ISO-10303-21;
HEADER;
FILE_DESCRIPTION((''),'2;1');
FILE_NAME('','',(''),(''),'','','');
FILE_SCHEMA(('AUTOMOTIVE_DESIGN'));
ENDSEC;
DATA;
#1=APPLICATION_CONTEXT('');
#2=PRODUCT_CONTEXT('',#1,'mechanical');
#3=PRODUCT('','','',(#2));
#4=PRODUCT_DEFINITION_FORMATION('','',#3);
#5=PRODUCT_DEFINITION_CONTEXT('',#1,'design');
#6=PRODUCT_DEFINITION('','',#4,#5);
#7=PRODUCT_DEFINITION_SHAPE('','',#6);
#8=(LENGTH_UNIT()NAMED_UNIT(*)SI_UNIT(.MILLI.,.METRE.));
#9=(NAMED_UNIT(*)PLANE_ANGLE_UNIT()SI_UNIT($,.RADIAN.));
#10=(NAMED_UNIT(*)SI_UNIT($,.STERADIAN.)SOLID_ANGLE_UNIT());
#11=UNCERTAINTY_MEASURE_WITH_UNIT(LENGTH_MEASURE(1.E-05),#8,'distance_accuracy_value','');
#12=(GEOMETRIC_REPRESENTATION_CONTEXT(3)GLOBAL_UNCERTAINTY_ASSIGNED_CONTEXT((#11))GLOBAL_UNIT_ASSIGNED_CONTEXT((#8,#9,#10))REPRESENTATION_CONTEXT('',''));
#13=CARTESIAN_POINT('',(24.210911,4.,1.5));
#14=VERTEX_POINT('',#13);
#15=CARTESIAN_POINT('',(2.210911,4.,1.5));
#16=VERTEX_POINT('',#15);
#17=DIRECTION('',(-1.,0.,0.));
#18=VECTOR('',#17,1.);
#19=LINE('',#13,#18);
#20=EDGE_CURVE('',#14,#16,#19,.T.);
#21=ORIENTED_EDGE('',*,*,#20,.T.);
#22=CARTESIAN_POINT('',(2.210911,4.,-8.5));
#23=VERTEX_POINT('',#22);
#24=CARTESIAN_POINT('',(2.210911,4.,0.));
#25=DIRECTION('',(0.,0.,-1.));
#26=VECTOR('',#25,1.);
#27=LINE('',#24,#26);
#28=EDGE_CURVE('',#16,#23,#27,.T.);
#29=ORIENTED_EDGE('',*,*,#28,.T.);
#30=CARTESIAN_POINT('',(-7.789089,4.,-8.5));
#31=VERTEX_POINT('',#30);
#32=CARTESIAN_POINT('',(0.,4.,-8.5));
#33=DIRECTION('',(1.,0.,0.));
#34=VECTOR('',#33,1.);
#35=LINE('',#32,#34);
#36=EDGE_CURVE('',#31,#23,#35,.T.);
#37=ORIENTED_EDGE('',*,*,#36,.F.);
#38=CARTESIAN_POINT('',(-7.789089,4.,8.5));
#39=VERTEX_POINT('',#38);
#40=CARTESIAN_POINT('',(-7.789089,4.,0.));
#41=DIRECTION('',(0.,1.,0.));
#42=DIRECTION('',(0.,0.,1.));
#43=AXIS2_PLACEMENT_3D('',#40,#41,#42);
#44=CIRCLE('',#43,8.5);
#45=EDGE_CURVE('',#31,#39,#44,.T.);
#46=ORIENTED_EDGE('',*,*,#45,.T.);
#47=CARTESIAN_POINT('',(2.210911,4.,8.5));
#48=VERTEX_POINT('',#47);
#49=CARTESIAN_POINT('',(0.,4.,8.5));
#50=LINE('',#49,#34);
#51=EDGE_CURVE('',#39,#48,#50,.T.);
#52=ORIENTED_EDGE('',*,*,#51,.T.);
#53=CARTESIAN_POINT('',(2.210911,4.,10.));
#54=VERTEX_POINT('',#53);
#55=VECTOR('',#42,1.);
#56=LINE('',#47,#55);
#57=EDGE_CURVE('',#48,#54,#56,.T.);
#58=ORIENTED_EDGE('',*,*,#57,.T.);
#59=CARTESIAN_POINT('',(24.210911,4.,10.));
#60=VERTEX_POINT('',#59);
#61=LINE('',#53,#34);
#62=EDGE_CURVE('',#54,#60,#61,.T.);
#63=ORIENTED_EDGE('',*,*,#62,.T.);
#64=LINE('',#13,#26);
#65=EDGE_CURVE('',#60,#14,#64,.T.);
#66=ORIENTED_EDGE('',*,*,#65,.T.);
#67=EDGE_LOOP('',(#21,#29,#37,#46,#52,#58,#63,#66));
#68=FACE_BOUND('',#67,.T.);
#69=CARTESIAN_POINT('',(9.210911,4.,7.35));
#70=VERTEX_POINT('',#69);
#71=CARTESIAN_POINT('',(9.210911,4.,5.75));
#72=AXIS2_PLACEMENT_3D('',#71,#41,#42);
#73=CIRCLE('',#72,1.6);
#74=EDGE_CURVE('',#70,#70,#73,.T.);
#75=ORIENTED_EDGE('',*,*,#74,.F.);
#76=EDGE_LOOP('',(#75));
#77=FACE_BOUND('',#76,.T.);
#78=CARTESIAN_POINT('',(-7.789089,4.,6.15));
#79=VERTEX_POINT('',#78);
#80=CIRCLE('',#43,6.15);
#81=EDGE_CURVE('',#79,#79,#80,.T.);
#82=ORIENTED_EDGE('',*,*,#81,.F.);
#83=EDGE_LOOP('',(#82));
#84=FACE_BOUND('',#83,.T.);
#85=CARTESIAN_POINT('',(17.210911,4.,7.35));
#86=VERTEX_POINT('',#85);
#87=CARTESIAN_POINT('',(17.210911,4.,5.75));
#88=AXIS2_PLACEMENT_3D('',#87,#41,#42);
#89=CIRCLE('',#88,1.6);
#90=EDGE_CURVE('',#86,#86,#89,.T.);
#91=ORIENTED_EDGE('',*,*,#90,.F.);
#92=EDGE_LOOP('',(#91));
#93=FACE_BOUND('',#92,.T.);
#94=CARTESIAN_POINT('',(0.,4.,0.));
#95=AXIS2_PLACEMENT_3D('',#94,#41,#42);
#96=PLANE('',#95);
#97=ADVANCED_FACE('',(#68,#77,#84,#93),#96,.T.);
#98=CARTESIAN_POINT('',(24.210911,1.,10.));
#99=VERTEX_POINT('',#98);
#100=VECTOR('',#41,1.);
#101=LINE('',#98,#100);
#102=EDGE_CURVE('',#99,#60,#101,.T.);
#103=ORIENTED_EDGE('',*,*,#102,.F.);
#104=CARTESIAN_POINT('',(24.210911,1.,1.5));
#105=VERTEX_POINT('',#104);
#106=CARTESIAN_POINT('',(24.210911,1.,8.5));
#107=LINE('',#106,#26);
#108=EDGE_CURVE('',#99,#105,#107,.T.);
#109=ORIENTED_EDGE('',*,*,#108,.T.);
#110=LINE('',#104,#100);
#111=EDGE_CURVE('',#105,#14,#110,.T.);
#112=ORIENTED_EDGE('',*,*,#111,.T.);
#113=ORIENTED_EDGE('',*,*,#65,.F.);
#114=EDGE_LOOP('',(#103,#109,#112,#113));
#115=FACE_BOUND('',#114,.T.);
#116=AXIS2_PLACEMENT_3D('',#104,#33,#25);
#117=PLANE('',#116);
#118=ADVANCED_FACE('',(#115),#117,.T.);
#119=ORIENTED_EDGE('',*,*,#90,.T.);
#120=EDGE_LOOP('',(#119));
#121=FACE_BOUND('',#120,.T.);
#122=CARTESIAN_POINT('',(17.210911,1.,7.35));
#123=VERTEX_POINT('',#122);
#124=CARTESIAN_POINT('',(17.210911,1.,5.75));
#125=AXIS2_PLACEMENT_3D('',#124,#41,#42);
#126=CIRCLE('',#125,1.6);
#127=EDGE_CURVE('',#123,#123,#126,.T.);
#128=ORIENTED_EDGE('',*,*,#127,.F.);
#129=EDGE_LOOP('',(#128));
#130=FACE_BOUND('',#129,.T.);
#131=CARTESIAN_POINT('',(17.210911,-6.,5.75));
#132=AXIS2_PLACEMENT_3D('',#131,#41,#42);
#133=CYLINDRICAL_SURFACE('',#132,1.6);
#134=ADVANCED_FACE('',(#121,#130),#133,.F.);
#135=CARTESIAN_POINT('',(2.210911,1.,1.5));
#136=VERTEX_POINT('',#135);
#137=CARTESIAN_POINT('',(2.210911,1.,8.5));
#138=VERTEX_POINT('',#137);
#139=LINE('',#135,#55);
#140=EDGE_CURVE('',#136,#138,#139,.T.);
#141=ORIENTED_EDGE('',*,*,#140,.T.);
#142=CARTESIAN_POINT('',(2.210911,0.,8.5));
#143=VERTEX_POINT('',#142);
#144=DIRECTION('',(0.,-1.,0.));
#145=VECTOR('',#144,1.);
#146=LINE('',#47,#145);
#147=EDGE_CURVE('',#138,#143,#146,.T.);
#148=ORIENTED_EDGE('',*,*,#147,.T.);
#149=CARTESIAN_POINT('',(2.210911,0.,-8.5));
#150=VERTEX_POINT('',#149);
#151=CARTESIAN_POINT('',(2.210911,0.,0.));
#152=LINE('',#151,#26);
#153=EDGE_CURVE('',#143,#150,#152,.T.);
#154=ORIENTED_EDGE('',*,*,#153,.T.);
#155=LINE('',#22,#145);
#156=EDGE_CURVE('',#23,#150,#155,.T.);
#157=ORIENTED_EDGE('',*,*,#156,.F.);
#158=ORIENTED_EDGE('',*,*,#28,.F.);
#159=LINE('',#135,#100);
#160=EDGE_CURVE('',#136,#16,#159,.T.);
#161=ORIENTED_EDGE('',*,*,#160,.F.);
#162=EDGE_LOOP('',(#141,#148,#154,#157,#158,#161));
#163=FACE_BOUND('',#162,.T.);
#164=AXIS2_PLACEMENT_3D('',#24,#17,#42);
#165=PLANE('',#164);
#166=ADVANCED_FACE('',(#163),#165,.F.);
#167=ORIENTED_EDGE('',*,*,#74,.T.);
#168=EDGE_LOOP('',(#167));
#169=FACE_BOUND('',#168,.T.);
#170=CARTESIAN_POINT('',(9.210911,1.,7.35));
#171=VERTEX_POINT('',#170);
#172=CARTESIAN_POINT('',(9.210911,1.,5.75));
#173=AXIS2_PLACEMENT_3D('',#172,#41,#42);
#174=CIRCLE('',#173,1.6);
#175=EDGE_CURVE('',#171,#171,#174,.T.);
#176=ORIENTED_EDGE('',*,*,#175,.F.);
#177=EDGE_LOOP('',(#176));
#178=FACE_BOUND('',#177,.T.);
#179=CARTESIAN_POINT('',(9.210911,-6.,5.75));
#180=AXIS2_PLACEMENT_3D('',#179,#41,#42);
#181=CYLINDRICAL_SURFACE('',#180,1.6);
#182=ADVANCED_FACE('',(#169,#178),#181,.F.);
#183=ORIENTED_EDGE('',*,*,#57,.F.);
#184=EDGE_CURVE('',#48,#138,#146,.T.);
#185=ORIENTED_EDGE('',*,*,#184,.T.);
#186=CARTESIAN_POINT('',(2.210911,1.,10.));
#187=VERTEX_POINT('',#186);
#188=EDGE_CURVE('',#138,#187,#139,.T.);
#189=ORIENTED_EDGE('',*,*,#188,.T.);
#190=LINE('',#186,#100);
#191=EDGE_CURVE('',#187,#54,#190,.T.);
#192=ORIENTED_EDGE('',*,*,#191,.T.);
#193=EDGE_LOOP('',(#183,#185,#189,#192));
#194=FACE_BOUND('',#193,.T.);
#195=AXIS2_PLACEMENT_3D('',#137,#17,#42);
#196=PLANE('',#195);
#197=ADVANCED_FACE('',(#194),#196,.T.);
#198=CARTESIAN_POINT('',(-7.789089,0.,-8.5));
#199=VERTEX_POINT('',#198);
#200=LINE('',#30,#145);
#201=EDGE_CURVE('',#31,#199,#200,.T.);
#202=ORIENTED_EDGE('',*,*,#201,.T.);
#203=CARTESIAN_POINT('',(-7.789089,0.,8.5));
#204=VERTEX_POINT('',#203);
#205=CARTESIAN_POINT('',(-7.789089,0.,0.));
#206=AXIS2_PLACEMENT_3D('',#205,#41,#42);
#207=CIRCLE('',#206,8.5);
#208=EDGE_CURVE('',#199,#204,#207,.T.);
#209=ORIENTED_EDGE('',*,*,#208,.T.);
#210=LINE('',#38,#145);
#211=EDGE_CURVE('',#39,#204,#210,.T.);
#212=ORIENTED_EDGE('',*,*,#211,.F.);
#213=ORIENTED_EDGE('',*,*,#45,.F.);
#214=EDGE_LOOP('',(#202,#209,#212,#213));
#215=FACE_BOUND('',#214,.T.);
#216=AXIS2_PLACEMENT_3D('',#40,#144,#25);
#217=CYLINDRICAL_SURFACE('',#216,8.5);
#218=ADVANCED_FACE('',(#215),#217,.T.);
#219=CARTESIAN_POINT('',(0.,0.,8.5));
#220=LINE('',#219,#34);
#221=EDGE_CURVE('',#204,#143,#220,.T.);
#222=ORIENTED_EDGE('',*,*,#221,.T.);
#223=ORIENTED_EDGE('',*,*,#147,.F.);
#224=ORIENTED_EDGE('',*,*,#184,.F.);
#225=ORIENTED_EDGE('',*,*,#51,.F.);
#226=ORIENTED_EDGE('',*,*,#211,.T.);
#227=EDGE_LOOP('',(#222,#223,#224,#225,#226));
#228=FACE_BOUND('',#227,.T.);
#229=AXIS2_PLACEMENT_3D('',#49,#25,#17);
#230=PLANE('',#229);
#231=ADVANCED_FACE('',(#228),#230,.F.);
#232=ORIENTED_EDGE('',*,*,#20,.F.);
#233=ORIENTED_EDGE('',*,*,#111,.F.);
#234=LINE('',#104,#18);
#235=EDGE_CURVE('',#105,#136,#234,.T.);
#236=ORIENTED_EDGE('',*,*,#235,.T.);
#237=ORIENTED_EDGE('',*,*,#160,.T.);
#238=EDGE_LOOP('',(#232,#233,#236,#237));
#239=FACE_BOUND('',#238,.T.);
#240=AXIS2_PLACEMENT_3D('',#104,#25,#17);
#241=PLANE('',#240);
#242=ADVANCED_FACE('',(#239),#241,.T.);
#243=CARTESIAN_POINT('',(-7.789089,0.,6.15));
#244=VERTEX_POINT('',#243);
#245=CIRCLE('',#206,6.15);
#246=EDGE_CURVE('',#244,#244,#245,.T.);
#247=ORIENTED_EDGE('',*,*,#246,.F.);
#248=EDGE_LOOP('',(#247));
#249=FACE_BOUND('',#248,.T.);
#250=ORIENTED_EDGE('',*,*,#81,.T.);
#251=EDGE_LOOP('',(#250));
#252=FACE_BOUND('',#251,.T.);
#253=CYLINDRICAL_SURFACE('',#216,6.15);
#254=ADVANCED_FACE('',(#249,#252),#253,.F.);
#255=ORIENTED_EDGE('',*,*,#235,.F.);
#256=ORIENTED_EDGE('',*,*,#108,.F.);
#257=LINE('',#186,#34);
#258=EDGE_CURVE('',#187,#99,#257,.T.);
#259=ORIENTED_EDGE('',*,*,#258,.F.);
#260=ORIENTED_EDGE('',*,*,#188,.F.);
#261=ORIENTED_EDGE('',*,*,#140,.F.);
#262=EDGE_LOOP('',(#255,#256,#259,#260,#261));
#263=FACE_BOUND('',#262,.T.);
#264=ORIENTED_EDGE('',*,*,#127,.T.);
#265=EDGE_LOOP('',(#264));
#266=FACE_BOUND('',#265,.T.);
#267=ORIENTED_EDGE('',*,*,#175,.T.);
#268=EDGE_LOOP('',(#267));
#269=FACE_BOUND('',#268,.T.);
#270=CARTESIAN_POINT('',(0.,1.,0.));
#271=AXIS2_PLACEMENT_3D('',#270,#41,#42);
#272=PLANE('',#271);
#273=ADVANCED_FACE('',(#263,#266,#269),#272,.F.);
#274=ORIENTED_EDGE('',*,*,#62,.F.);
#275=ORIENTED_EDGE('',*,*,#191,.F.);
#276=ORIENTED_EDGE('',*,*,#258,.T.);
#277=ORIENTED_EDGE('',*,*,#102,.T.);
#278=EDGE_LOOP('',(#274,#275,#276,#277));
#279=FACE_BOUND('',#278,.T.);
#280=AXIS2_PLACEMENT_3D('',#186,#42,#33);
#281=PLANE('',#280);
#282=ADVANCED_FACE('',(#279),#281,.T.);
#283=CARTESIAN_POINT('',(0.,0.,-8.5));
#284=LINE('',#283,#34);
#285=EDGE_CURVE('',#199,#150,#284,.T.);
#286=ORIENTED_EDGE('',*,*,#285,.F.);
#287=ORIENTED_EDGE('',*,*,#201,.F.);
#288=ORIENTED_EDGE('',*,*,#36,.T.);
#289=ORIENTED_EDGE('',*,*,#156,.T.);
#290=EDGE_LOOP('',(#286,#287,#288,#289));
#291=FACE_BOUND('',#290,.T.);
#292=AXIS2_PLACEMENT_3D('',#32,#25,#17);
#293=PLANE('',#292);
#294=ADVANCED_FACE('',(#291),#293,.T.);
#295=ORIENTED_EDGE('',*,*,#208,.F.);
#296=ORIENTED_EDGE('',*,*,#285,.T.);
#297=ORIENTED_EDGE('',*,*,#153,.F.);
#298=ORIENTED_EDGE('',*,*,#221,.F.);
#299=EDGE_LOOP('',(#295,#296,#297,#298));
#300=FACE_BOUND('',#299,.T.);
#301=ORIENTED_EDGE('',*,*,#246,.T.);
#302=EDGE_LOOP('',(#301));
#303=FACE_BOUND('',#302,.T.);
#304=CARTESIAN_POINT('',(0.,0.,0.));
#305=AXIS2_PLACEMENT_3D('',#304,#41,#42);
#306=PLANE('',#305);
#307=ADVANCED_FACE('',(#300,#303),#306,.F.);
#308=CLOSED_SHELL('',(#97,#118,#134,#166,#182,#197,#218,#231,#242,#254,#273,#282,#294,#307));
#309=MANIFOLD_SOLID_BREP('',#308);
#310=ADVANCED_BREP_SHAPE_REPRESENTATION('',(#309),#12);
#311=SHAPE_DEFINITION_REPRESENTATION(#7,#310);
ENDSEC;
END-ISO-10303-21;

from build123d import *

# Parameters (mm, degrees)
SKETCH1_R           = 6.15
BOSS_EXTRUDE1_DEPTH = 4
BOSS_EXTRUDE3_DEPTH = 3
SKETCH5_R           = 1.6
CUT_EXTRUDE1_DEPTH  = 10


with BuildPart() as part:
    # Sketch1 → Boss-Extrude1 (new body)
    with BuildSketch(Plane(origin=(0, 0, 0), x_dir=(1, 0, 0), z_dir=(0, 1, 0))):
        with BuildLine():
            Line((-7.789088727, -8.5), (2.210911273, -8.5))
            Line((2.210911273, -8.5), (2.210911273, 8.5))
            Line((2.210911273, 8.5), (-7.789088727, 8.5))
            ThreePointArc((-7.789088727, 8.5), (-16.289088727, 0), (-7.789088727, -8.5))
        make_face()
        with Locations((-7.789088727, 0)):
            Circle(SKETCH1_R, mode=Mode.SUBTRACT)
    extrude(amount=BOSS_EXTRUDE1_DEPTH)

    # Sketch4 → Boss-Extrude3 (add)
    with BuildSketch(Plane(origin=(0, 4, 0), x_dir=(1, 0, 0), z_dir=(0, 1, 0))):
        Polygon((24.210911273, -1.5), (2.210911273, -1.5), (2.210911273, -8.5), (2.210911273, -10), (24.210911273, -10), (24.210911273, -8.5), align=None)
    extrude(amount=-BOSS_EXTRUDE3_DEPTH)

    # Sketch5 → Cut-Extrude1 (cut)
    with BuildSketch(Plane(origin=(0, 4, 0), x_dir=(1, 0, 0), z_dir=(0, 1, 0))):
        with Locations((9.210911273, -5.75)):
            Circle(SKETCH5_R)
        with Locations((17.210911273, -5.75)):
            Circle(SKETCH5_R)
    extrude(amount=-CUT_EXTRUDE1_DEPTH, mode=Mode.SUBTRACT)


solid = part.part
